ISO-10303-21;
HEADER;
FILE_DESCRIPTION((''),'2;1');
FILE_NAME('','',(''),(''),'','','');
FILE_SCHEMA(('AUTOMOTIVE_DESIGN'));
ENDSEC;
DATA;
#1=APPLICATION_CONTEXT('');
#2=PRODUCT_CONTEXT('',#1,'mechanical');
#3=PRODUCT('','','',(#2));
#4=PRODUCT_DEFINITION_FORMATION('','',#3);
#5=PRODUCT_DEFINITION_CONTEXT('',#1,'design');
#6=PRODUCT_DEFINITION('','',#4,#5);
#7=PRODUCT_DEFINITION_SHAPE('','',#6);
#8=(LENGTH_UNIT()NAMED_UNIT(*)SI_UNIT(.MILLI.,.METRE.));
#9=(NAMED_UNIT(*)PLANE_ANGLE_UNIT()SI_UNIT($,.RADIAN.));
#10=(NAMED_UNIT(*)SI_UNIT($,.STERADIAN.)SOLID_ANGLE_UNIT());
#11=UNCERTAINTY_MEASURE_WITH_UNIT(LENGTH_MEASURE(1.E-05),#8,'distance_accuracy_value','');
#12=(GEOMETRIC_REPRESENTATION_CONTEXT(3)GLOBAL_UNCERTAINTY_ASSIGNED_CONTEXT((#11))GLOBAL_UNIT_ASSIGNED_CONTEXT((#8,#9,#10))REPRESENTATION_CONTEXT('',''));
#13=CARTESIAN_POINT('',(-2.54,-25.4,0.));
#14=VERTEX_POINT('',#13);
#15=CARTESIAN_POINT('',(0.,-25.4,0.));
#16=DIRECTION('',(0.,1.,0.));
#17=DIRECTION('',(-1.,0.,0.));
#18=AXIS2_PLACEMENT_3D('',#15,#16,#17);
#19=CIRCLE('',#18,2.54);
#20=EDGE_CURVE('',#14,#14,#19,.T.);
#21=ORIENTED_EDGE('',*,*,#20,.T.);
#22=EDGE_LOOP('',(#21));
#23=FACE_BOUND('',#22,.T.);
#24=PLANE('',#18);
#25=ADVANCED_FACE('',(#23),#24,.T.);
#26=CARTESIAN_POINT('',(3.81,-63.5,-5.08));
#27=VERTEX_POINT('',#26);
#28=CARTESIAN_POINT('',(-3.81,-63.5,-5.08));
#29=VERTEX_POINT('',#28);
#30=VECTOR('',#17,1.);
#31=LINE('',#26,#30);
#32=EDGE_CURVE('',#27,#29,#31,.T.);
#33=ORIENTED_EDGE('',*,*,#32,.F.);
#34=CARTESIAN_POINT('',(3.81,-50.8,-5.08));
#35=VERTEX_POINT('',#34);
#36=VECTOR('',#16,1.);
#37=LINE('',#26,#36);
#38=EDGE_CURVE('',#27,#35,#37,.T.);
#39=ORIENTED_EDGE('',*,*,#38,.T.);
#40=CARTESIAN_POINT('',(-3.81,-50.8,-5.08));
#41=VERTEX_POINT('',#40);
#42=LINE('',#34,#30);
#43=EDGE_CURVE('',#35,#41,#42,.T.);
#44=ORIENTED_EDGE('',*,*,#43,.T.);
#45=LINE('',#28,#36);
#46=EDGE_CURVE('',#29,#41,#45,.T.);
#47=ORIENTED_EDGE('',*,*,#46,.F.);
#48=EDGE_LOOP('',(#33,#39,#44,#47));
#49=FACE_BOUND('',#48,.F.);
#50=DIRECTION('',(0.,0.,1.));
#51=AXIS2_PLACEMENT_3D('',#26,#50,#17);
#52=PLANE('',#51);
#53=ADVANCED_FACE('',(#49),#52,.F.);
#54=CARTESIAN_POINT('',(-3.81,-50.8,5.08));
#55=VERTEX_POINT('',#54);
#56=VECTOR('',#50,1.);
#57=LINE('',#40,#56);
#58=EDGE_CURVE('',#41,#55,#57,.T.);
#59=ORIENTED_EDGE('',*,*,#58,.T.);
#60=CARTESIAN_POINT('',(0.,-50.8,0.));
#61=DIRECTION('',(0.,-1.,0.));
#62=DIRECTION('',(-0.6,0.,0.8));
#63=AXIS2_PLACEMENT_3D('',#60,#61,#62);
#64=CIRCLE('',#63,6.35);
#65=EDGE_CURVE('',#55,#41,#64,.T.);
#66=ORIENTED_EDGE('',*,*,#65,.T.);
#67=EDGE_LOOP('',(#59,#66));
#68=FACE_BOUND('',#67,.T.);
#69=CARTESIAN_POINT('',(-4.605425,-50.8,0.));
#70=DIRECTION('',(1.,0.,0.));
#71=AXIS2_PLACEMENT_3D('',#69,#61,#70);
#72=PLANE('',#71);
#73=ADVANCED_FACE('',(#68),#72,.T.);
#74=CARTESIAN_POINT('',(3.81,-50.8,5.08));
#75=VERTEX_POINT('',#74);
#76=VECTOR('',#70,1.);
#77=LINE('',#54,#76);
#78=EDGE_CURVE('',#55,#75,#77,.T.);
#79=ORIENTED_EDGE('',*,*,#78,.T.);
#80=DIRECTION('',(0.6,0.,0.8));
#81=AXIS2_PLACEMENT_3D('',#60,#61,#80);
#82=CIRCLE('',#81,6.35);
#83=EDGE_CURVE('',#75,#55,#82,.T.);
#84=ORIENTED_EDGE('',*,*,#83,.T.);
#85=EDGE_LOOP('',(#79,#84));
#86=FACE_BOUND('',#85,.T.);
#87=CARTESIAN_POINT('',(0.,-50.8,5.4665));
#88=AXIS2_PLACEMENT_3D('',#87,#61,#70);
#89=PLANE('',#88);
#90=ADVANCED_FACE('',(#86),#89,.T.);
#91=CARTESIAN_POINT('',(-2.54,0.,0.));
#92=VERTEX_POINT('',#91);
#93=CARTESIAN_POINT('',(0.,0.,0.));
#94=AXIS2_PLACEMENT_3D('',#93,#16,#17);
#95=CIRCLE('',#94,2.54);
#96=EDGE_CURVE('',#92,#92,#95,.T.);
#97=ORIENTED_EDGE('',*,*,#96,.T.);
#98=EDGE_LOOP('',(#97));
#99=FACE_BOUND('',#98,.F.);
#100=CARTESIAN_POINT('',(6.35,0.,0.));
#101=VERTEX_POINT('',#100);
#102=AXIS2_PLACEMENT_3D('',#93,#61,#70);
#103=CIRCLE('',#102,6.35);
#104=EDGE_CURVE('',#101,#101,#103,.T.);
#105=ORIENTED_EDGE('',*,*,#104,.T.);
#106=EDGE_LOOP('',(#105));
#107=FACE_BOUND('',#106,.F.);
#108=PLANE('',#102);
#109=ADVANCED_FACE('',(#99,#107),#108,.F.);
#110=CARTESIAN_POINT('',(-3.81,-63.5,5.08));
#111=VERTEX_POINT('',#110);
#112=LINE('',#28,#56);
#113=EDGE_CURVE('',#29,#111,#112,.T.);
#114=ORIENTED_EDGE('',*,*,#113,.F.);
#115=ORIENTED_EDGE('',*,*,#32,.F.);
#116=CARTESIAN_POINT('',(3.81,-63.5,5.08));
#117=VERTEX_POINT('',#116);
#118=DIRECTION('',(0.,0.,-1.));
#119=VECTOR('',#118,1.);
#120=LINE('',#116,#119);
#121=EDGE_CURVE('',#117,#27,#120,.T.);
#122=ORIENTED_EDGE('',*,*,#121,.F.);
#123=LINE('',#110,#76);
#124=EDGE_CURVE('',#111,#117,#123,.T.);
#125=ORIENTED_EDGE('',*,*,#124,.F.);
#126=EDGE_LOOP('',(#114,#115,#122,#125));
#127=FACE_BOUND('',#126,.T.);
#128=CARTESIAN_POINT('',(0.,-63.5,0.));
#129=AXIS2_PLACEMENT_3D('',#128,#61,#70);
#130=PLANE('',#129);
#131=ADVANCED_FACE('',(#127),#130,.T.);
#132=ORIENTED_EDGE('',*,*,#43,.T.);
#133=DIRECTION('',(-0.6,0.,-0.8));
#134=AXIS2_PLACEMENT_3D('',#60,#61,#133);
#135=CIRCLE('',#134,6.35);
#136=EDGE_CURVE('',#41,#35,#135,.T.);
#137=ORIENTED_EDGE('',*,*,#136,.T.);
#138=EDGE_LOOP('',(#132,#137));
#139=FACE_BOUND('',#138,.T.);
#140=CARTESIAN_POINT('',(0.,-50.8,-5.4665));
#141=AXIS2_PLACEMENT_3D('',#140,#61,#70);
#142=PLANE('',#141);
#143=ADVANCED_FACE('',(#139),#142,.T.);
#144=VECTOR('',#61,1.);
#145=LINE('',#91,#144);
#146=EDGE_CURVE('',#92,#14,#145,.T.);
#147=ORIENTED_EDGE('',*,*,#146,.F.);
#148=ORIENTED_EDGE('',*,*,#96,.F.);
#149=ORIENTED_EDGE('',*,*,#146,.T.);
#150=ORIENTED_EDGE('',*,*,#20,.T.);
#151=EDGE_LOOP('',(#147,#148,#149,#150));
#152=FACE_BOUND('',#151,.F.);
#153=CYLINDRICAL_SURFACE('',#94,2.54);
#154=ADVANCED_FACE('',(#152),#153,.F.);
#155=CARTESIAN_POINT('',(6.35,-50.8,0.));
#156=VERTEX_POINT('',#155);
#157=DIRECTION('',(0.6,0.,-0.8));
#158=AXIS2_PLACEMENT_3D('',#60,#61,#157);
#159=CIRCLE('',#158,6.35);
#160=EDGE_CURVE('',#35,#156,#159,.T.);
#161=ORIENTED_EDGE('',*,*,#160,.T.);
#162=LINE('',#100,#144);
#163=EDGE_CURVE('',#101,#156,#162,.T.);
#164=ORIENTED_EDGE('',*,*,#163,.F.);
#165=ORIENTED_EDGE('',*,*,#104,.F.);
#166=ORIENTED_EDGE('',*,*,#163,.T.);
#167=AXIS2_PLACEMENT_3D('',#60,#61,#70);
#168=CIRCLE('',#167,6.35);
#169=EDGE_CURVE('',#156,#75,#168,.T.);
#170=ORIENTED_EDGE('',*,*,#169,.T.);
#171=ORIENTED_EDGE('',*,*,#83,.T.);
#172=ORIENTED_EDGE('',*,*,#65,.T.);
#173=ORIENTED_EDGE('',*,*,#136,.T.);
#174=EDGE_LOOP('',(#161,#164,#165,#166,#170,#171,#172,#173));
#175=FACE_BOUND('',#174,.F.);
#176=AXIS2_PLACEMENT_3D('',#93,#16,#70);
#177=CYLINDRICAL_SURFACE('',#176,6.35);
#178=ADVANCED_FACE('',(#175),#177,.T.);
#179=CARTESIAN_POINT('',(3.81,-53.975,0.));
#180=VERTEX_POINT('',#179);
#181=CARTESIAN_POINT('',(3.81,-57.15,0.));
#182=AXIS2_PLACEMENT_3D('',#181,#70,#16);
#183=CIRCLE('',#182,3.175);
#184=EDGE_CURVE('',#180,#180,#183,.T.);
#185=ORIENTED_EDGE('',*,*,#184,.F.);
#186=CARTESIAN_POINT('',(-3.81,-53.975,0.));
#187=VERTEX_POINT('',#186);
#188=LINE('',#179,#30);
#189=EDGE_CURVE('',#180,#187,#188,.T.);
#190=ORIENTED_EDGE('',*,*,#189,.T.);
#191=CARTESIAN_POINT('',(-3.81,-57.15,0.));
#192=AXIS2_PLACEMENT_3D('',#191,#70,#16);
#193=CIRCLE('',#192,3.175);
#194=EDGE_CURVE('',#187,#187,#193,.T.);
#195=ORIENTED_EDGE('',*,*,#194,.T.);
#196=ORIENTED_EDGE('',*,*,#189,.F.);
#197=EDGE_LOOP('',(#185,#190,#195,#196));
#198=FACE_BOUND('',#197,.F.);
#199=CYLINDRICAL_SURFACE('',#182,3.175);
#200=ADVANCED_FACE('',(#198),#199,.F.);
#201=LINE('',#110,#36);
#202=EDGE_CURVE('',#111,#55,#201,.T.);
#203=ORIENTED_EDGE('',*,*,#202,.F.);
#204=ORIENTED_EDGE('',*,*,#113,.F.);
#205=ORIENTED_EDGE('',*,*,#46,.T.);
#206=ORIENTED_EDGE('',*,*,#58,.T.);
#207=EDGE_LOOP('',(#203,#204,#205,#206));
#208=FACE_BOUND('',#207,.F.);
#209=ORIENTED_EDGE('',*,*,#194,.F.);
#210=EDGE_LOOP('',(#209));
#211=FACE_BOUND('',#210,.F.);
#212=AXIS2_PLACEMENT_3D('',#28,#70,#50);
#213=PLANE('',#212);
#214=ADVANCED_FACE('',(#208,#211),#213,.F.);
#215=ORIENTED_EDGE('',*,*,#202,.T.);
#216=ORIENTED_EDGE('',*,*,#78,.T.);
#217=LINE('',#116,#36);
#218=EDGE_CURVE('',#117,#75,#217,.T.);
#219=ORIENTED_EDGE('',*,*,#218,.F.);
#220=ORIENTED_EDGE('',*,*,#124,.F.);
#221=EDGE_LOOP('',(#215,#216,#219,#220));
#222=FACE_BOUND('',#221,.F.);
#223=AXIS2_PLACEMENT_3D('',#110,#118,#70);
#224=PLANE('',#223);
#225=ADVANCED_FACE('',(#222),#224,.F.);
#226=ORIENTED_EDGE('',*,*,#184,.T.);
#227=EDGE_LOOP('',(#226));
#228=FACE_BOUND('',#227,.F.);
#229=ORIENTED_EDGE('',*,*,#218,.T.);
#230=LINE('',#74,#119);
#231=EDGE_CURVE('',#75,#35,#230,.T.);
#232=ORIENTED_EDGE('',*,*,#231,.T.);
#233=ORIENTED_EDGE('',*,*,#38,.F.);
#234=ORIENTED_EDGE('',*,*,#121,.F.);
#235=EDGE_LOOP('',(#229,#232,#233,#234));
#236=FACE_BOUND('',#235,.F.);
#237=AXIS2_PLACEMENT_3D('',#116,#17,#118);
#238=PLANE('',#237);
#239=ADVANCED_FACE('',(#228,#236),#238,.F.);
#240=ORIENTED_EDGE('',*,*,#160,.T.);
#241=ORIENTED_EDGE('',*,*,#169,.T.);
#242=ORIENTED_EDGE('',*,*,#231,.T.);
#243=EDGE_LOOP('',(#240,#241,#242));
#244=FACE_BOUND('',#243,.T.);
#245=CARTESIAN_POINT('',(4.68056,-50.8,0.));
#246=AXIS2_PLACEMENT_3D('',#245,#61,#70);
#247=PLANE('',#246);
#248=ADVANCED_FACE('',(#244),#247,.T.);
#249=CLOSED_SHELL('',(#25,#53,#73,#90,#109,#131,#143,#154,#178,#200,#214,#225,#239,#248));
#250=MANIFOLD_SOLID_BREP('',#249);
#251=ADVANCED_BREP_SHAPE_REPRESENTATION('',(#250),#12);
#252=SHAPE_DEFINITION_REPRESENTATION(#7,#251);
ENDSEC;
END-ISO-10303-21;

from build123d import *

# Parameters (mm, degrees)
F0_R     = 6.35
F1_DEPTH = 63.5
F3_DEPTH = 12.7
F4_R     = 3.175
F5_DEPTH = 25.4
F6_R     = 2.54
F7_DEPTH = 25.4


with BuildPart() as f1:
    # F0 (on Front) → F1 (new body)
    with BuildSketch(Plane.XZ):
        Circle(F0_R)
    extrude(amount=F1_DEPTH)

    # F2 (on face) → F3 (cut)
    with BuildSketch(Plane.XZ.offset(63.5)):
        with BuildLine():
            Line((0, 5.08), (3.81, 5.08))
            ThreePointArc((3.81, 5.08), (0, 6.35), (-3.81, 5.08))
            Line((-3.81, 5.08), (0, 5.08))
        make_face()
        with BuildLine():
            ThreePointArc((-3.81, -5.08), (0, -6.35), (3.81, -5.08))
            Line((3.81, -5.08), (-3.81, -5.08))
        make_face()
        with BuildLine():
            ThreePointArc((3.81, -5.08), (5.6796126628, -2.8398063314), (6.35, 0))
            ThreePointArc((6.35, 0), (5.6796126628, 2.8398063314), (3.81, 5.08))
            Line((3.81, 5.08), (3.81, -5.08))
        make_face()
        with BuildLine():
            Line((-3.81, -5.08), (-3.81, 5.08))
            ThreePointArc((-3.81, 5.08), (-6.35, 0), (-3.81, -5.08))
        make_face()
    extrude(amount=-F3_DEPTH, mode=Mode.SUBTRACT)

    # F4 (on face) → F5 (cut)
    with BuildSketch(Plane.YZ.offset(3.81)):
        with Locations((-57.15, 0)):
            Circle(F4_R)
    extrude(amount=-F5_DEPTH, mode=Mode.SUBTRACT)

    # F6 (on face) → F7 (cut)
    with BuildSketch(Plane(origin=(0, 0, 0), x_dir=(-1, 0, 0), z_dir=(0, 1, 0))):
        Circle(F6_R)
    extrude(amount=-F7_DEPTH, mode=Mode.SUBTRACT)


solid = f1.part
